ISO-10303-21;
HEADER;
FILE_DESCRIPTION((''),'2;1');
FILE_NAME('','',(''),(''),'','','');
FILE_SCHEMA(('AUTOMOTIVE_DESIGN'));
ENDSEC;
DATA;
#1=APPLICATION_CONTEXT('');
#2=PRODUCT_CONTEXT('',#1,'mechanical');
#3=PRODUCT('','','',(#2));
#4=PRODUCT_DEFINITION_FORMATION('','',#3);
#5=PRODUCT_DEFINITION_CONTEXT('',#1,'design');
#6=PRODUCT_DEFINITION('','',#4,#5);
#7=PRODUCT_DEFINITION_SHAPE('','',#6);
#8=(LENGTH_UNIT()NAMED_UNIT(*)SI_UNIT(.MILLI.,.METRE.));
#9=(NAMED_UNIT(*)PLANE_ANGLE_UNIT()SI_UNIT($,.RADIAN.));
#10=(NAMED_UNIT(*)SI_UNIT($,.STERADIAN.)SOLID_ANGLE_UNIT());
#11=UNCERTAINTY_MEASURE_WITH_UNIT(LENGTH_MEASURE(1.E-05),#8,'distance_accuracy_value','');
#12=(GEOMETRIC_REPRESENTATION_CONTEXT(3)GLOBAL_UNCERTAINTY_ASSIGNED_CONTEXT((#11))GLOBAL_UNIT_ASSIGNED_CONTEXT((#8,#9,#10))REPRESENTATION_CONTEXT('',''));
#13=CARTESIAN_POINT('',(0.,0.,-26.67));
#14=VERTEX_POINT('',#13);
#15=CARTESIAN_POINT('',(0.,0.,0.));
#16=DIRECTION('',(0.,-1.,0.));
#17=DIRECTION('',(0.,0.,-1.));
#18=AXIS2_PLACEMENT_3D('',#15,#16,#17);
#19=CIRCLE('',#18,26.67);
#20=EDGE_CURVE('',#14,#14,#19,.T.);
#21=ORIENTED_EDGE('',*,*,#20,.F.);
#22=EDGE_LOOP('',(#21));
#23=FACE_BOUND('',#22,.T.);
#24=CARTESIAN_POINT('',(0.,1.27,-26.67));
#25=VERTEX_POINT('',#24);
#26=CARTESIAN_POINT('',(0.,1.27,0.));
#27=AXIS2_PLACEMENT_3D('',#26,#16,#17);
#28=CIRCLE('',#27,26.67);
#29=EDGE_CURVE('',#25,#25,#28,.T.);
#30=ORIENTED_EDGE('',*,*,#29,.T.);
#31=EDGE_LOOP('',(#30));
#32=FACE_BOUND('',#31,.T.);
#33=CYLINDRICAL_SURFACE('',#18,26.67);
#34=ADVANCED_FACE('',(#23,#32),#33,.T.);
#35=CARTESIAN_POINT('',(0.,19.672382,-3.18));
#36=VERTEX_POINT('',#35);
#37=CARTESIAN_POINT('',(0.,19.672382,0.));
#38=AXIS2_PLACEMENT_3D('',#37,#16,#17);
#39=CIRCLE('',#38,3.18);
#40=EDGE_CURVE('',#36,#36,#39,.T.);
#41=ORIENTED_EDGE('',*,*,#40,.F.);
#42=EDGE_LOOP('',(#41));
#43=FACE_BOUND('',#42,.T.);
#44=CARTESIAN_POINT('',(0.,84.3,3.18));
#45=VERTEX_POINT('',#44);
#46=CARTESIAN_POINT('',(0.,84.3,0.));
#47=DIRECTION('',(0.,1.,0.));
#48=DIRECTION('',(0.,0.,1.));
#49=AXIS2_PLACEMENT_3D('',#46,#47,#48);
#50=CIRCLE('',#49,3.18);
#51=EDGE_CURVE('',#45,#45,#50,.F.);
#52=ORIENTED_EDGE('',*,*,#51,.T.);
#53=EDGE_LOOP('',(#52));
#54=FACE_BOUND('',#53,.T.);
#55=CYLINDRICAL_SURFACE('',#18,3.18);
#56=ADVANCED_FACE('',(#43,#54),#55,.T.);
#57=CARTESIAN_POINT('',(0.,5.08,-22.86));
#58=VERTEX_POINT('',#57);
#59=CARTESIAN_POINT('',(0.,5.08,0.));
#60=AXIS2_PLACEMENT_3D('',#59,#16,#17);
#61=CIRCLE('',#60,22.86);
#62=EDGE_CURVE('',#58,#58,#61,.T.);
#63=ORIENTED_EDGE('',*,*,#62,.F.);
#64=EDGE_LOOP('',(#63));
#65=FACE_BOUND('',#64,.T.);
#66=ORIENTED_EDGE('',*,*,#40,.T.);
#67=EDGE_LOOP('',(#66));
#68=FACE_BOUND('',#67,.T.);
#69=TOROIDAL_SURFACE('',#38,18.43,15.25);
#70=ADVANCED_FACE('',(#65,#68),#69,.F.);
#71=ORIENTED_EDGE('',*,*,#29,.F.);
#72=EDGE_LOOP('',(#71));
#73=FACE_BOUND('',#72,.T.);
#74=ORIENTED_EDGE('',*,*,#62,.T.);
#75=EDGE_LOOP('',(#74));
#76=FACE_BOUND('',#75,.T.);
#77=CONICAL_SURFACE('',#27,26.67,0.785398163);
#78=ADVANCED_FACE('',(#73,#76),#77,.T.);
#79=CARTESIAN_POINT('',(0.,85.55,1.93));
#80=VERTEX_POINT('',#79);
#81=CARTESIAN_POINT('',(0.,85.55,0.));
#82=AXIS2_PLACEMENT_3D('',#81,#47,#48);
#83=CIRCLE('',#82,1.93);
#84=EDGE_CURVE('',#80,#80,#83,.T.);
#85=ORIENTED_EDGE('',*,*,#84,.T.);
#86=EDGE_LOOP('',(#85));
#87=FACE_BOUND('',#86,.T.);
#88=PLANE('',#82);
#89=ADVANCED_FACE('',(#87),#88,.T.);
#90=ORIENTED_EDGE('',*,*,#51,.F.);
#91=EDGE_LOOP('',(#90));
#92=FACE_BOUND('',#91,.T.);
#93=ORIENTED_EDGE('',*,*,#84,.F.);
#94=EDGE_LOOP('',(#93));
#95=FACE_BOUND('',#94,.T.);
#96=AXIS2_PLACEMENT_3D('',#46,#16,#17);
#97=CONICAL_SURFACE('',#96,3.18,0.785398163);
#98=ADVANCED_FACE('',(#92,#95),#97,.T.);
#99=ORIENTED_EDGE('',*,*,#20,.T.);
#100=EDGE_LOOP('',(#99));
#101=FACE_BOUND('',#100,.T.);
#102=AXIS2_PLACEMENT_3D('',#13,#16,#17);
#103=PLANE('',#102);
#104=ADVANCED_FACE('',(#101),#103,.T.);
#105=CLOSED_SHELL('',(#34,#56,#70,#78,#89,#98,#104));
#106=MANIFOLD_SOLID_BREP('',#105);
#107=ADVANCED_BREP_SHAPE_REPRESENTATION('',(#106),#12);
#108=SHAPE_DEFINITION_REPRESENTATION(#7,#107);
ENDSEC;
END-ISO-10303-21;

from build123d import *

# Parameters (mm, degrees)
CHAMFER1_SIZE = 1.25


with BuildPart() as part:
    # Sketch2 → Revolve1 (revolve)
    with BuildSketch(Plane(origin=(0, 0, 0), x_dir=(0, 0, -1), z_dir=(1, 0, 0))):
        with BuildLine():
            Line((0, 0), (0, 85.55))
            Line((0, 85.55), (3.18, 85.55))
            Line((3.18, 85.55), (3.18, 19.672381574))
            ThreePointArc((3.18, 19.672381574), (9.346911318, 7.422483615), (22.86, 5.08))
            Line((22.86, 5.08), (26.67, 1.27))
            Line((26.67, 1.27), (26.67, 0))
            Line((26.67, 0), (0, 0))
        make_face()
    revolve(axis=Axis((0, 0, 0), (0, 1, 0)))

    # Chamfer1
    chamfer1_edges = [part.edges().sort_by_distance(p)[0] for p in [
        (0, 85.55, 3.18),
    ]]
    chamfer(chamfer1_edges, length=CHAMFER1_SIZE)


solid = part.part
